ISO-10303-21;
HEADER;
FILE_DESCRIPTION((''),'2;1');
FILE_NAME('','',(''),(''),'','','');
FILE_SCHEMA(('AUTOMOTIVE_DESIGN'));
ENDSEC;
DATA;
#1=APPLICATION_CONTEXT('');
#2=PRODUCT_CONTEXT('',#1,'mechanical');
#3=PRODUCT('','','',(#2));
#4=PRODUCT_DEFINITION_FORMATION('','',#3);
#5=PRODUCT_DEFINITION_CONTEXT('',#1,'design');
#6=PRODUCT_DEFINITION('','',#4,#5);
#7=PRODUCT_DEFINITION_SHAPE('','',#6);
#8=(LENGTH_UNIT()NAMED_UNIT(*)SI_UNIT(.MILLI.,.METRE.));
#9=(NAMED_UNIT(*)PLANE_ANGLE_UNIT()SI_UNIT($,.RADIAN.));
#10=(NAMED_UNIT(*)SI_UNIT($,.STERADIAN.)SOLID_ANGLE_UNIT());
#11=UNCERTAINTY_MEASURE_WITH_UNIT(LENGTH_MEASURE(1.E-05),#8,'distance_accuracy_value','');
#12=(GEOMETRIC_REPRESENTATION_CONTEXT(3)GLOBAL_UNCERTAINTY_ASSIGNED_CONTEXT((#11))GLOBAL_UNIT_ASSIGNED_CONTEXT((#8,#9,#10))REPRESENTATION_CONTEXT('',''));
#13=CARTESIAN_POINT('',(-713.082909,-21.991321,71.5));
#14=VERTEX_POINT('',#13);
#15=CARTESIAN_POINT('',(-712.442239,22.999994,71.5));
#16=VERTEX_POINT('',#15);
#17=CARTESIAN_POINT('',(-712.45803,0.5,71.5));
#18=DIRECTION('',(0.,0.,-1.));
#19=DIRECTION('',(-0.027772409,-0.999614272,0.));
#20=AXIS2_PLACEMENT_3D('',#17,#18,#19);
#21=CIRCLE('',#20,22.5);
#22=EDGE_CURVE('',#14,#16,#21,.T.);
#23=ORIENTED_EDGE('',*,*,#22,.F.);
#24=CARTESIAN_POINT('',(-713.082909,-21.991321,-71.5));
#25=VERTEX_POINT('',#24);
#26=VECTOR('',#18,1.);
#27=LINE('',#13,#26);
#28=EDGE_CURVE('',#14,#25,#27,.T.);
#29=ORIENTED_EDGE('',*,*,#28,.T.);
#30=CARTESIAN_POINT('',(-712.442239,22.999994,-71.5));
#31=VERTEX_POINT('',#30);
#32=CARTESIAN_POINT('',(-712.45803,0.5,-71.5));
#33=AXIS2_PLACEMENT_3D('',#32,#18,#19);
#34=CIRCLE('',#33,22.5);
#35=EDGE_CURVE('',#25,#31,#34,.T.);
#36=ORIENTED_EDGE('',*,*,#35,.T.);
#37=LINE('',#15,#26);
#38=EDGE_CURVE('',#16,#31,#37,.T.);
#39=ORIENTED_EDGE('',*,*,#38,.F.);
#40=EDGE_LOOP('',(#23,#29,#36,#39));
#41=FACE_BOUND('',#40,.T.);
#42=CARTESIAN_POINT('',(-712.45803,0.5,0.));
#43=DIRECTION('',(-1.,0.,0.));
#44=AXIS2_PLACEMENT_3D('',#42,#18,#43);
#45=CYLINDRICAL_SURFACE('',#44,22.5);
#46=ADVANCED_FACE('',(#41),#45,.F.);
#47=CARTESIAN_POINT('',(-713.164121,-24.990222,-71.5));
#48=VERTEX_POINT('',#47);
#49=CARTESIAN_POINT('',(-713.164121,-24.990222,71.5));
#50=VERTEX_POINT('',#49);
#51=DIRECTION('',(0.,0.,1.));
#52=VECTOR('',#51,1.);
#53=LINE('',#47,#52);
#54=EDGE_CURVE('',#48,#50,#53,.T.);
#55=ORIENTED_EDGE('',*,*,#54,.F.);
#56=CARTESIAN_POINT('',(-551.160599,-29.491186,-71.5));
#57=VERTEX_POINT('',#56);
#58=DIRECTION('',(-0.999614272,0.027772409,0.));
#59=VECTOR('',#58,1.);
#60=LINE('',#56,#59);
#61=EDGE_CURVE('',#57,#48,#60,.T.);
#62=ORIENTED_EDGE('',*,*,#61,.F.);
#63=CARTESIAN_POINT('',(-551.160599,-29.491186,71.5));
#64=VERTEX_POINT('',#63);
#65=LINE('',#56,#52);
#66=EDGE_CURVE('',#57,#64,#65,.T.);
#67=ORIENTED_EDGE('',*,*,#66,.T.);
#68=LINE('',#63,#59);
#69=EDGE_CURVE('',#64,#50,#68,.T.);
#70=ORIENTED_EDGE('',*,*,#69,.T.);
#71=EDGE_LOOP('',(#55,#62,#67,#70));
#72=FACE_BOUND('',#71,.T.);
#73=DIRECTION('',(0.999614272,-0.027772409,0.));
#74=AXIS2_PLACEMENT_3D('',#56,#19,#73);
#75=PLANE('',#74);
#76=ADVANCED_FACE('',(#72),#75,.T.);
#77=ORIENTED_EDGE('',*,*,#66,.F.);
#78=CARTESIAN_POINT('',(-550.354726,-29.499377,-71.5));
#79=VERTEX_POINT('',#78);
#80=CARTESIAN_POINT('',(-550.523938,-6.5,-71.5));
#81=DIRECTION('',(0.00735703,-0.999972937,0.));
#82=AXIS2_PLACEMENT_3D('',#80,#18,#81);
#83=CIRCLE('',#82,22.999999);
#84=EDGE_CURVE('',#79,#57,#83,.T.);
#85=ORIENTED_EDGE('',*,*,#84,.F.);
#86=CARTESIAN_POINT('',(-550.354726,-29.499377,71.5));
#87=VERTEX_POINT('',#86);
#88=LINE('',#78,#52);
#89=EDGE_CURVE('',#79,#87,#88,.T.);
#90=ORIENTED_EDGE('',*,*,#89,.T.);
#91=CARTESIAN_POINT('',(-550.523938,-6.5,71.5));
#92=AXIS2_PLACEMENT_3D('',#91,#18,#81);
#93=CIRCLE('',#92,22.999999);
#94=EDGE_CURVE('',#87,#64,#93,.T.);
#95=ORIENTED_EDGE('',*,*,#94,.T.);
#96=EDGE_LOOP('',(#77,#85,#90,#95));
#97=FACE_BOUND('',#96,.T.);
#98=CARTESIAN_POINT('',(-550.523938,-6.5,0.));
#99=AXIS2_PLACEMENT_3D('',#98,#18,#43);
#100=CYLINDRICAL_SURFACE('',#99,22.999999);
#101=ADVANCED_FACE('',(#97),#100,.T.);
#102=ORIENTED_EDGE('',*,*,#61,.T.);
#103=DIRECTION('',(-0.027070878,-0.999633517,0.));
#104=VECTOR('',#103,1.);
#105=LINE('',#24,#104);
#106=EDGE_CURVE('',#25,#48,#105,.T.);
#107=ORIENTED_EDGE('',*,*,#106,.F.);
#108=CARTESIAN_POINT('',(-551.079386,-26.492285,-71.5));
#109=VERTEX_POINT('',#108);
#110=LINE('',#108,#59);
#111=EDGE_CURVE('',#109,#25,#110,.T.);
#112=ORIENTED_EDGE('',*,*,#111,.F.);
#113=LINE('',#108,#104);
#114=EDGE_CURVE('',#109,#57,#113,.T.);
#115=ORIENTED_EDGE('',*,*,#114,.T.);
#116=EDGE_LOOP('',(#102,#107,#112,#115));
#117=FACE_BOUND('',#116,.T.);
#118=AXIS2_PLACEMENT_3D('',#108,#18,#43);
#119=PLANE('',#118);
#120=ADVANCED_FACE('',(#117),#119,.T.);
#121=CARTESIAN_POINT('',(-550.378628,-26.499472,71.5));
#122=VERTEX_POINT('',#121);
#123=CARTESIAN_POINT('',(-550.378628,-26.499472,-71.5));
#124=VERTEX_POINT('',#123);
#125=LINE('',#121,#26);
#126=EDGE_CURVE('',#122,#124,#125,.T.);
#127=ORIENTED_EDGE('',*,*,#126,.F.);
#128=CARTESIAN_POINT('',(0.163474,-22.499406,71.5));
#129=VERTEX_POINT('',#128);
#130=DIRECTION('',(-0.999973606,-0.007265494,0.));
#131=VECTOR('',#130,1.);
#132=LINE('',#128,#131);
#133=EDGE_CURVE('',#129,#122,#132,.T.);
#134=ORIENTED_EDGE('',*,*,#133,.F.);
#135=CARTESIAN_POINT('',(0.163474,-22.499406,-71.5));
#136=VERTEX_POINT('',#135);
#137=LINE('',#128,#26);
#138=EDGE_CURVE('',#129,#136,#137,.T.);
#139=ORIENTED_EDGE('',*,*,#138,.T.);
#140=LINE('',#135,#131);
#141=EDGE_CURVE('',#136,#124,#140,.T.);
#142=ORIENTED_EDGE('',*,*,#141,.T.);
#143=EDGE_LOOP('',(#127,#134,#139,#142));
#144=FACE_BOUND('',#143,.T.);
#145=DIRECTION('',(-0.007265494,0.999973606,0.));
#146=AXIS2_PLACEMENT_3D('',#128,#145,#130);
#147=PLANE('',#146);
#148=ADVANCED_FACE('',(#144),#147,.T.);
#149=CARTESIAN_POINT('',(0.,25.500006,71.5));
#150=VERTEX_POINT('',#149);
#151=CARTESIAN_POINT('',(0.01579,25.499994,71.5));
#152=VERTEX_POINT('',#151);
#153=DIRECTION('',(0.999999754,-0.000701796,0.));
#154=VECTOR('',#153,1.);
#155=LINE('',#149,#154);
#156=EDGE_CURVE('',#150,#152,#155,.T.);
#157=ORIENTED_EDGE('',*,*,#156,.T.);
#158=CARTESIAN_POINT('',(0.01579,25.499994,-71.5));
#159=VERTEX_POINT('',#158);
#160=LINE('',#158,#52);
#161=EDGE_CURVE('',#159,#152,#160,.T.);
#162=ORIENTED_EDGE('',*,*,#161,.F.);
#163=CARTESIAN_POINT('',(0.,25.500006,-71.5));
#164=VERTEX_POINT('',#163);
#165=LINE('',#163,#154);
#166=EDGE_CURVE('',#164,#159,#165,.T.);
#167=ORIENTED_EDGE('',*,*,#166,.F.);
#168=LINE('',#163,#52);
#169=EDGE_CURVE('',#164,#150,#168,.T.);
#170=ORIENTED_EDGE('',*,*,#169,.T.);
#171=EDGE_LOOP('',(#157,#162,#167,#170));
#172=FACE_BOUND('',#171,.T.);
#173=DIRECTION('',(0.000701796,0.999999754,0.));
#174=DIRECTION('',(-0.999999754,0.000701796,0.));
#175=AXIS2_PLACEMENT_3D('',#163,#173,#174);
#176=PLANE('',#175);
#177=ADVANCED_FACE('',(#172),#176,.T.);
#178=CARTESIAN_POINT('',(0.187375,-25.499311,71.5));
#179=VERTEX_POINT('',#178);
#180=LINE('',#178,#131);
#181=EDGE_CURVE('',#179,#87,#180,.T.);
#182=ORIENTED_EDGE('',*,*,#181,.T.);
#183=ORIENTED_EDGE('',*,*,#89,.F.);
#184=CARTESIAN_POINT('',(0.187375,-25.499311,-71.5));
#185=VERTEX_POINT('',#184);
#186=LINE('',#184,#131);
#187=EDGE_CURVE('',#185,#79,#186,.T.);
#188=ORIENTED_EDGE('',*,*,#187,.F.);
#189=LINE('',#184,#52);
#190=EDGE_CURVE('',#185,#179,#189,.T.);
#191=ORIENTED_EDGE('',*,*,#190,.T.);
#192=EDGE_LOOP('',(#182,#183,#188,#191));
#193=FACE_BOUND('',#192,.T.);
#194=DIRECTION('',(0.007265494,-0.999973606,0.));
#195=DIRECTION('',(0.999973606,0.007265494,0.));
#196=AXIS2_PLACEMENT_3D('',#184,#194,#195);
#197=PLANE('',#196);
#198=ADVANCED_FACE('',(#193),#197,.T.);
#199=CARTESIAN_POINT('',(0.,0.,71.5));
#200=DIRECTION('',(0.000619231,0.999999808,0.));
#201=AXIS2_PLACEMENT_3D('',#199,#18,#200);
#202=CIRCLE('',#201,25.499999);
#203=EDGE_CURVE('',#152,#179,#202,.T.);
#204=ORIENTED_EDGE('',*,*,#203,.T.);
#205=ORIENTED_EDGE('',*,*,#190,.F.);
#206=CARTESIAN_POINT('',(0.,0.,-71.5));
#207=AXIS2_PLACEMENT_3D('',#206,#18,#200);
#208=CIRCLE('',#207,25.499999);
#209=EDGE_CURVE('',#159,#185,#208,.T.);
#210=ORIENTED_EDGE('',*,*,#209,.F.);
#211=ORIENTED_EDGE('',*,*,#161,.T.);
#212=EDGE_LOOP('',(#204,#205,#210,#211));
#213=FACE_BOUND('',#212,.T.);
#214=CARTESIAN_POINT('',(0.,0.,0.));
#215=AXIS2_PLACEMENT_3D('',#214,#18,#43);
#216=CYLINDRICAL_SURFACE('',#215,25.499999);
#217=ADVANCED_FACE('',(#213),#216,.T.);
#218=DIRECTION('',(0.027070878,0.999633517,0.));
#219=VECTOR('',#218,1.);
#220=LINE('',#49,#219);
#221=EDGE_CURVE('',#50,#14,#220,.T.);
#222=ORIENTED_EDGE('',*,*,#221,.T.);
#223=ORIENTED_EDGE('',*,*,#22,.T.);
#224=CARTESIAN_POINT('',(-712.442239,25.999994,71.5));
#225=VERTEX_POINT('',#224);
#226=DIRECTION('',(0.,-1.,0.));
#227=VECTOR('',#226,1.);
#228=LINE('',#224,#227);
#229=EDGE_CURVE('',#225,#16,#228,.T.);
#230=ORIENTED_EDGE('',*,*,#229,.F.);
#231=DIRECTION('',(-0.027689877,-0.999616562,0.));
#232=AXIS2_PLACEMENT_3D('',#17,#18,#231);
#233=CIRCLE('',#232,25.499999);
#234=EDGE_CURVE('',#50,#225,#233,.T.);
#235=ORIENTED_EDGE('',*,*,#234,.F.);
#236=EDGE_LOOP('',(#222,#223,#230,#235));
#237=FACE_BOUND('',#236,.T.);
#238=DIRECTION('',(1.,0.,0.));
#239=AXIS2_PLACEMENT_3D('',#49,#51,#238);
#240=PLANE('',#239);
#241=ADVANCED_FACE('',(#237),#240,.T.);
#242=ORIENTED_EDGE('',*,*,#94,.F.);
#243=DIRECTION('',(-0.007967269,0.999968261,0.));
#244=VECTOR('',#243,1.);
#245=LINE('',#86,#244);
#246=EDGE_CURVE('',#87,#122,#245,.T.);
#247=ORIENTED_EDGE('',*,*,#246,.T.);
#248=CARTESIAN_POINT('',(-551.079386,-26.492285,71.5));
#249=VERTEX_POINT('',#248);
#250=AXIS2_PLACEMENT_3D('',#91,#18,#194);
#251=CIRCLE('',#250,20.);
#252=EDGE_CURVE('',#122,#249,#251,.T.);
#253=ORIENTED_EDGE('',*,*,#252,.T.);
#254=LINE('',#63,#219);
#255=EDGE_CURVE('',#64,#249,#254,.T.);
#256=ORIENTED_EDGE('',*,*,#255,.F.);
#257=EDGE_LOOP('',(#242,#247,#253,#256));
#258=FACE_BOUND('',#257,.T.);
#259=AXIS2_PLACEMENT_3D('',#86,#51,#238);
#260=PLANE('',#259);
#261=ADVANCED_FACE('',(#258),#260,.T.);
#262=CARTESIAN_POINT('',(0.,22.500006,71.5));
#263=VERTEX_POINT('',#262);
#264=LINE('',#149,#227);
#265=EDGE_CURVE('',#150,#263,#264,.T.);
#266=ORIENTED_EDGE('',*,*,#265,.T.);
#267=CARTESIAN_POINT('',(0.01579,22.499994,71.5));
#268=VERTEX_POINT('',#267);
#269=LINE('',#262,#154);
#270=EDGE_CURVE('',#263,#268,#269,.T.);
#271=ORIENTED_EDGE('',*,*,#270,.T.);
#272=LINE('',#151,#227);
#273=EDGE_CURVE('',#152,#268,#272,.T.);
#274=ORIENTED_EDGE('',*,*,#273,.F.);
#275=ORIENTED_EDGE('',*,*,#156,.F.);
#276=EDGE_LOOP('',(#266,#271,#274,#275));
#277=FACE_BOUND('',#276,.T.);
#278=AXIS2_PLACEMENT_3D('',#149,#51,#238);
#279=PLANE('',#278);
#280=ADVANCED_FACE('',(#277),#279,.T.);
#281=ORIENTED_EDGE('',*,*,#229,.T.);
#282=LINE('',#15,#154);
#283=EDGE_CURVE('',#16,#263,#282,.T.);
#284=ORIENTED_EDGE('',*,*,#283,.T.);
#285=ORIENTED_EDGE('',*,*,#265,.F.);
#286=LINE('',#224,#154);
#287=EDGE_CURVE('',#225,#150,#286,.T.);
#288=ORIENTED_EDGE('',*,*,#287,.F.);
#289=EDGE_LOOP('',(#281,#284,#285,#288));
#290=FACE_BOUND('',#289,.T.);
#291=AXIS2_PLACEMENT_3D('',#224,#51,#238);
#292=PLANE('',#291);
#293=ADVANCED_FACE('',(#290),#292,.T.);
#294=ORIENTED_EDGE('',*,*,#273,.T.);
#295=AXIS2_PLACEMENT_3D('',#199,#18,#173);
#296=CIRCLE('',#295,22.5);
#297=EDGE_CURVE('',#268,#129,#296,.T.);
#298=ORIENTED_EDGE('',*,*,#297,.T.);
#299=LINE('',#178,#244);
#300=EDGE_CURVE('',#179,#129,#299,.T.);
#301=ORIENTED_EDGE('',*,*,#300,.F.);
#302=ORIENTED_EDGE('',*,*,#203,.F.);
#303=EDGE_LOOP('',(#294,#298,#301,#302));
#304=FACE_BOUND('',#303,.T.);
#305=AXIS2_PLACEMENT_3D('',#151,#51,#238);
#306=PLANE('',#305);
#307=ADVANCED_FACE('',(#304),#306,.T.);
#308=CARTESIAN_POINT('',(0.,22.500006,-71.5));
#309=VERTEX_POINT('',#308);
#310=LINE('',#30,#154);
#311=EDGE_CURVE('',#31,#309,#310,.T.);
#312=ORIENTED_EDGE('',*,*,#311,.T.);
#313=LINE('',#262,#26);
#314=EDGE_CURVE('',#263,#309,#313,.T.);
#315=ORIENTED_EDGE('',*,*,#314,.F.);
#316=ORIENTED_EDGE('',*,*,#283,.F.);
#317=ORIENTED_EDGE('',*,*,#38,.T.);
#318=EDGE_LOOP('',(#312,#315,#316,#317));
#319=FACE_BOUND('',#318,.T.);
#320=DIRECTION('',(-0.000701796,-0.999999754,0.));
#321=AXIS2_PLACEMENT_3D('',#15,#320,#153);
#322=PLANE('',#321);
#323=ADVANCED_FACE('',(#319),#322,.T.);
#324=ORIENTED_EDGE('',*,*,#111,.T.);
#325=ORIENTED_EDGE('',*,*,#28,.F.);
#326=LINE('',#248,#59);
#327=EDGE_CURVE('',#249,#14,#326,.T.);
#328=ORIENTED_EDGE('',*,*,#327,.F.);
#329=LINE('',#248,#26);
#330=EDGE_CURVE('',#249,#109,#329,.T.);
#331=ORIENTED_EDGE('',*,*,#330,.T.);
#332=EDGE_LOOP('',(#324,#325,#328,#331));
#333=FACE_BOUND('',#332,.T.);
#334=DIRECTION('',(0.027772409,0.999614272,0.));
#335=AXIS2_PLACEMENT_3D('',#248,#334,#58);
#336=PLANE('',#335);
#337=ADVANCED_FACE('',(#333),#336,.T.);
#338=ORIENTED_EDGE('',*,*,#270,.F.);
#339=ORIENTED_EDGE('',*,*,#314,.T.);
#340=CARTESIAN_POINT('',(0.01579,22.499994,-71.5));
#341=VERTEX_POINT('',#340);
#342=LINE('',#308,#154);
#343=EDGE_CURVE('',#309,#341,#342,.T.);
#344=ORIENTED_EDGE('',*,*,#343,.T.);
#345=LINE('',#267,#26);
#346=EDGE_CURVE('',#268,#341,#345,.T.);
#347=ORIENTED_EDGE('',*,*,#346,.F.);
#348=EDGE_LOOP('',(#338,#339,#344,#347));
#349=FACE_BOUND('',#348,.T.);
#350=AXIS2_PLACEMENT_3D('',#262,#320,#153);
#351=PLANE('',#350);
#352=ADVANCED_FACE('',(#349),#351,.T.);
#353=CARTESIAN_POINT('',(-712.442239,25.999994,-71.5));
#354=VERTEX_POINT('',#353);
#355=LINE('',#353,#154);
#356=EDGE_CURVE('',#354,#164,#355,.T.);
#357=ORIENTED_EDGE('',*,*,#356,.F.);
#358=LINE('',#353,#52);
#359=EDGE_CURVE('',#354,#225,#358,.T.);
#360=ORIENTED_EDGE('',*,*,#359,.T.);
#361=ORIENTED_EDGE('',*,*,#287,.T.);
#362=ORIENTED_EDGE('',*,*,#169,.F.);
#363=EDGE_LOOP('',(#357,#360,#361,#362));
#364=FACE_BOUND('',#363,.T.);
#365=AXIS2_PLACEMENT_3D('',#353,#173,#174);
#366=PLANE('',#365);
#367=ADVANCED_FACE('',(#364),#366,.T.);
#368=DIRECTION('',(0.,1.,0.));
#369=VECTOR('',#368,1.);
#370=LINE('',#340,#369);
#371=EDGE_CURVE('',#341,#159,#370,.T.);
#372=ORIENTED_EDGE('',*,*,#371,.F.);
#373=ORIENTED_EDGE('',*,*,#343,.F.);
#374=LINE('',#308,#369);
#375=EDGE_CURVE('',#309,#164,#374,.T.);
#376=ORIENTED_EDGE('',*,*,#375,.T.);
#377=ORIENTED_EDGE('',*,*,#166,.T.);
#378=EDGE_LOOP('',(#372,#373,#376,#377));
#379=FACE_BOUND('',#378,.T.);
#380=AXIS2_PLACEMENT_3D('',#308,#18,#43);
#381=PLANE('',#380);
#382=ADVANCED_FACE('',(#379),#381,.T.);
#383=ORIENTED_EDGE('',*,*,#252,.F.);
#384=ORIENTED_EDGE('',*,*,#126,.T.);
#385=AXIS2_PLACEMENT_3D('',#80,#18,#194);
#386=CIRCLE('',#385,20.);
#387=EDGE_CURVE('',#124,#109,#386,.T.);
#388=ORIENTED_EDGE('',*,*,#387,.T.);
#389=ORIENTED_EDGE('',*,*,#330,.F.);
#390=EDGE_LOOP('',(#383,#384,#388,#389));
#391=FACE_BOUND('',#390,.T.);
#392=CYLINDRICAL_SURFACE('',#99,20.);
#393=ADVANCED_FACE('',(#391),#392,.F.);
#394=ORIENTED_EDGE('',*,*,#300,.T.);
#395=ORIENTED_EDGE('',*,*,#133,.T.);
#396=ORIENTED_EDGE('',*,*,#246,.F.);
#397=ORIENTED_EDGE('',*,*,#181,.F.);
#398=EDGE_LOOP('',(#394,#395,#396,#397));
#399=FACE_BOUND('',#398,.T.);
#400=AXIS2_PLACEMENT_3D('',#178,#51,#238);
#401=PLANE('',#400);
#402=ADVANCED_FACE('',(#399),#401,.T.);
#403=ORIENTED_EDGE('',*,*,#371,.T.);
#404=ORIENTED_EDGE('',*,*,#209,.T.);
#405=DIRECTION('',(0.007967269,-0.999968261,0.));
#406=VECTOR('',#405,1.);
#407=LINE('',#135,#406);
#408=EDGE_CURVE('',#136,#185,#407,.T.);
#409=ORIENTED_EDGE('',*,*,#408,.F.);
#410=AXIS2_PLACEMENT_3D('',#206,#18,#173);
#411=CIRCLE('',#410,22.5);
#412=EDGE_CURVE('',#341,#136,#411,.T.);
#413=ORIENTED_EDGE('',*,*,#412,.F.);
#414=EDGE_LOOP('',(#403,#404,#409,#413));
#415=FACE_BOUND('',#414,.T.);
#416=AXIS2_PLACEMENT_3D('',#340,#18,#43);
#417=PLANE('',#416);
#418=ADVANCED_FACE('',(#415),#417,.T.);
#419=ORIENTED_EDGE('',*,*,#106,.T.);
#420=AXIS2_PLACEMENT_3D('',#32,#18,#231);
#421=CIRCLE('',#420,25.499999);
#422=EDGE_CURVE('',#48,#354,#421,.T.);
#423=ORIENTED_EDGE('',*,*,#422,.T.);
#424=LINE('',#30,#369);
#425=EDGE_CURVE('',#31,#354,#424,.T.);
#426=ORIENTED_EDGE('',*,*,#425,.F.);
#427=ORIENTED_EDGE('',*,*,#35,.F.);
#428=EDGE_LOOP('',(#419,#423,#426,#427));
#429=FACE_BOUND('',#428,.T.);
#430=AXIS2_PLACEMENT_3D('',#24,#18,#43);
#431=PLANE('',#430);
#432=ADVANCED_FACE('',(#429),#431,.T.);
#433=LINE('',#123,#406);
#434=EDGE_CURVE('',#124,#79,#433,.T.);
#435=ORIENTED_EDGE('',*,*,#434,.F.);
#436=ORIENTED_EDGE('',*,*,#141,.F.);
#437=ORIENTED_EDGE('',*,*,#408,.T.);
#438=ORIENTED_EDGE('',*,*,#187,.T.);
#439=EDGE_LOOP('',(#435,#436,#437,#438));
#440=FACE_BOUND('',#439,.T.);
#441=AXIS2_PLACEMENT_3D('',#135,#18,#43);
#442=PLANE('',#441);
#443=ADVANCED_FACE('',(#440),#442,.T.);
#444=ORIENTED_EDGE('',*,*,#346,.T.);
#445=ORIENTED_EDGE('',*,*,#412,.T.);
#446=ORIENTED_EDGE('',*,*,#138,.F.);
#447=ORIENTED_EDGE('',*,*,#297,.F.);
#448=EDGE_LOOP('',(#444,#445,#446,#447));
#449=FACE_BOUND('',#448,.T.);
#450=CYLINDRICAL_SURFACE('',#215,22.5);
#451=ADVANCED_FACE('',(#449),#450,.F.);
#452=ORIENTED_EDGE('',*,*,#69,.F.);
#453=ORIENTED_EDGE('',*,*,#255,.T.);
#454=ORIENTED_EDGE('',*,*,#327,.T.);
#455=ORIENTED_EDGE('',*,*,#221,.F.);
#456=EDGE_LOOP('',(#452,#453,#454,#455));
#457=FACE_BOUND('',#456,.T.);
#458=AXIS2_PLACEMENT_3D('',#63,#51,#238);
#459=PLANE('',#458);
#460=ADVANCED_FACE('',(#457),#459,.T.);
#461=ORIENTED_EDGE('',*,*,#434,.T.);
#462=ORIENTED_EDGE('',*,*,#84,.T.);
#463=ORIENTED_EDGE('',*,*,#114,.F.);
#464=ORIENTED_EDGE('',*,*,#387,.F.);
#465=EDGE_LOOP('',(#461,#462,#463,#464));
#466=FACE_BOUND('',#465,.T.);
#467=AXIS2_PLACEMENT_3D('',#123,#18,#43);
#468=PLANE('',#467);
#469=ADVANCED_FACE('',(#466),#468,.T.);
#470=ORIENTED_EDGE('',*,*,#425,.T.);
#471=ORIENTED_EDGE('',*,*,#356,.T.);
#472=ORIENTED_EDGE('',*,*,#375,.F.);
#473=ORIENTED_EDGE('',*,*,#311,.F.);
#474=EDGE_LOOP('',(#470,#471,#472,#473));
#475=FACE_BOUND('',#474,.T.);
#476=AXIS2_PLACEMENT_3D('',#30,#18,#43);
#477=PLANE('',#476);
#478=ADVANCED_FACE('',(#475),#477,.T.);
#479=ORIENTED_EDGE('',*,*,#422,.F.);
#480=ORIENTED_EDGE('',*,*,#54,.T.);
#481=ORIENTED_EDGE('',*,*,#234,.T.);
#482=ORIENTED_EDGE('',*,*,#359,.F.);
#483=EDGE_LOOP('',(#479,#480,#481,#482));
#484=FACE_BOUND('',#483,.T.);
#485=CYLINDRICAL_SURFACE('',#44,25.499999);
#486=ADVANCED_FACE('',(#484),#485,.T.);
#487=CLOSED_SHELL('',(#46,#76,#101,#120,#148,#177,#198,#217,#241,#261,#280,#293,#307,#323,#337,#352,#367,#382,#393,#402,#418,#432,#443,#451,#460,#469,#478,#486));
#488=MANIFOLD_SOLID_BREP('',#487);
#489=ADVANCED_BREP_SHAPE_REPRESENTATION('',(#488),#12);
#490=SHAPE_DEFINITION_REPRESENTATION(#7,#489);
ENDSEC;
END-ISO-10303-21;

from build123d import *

# Parameters (mm, degrees)
SKETCH3_W = 143
SKETCH3_H = 3


with BuildPart() as part:
    # Sweep1: sweep along a path in Sketch2
    with BuildLine(Plane.XY) as sweep1_path:
        Line((0.163473618, -22.499406134), (-550.378627812, -26.499472119))
        ThreePointArc((-550.378627812, -26.499472119), (-550.729038327, -26.498948316), (-551.079385884, -26.492285445))
        Line((-551.079385884, -26.492285445), (-713.082908724, -21.991321125))
        ThreePointArc((-713.082908724, -21.991321125), (-734.955748657, 0.82036416), (-712.442239111, 22.999994459))
        Line((-712.442239111, 22.999994459), (0.0157904, 22.499994459))
        ThreePointArc((0.0157904, 22.499994459), (22.499878829, 0.073842195), (0.163473618, -22.499406134))
    # Sketch3 → Sweep1 (sweep)
    with BuildSketch(Plane(origin=(0, 0, 0), x_dir=(0, 0, -1), z_dir=(1, 0, 0))):
        with Locations((0, 24.000005541)):
            Rectangle(SKETCH3_W, SKETCH3_H)
    sweep(path=sweep1_path.line)


solid = part.part
